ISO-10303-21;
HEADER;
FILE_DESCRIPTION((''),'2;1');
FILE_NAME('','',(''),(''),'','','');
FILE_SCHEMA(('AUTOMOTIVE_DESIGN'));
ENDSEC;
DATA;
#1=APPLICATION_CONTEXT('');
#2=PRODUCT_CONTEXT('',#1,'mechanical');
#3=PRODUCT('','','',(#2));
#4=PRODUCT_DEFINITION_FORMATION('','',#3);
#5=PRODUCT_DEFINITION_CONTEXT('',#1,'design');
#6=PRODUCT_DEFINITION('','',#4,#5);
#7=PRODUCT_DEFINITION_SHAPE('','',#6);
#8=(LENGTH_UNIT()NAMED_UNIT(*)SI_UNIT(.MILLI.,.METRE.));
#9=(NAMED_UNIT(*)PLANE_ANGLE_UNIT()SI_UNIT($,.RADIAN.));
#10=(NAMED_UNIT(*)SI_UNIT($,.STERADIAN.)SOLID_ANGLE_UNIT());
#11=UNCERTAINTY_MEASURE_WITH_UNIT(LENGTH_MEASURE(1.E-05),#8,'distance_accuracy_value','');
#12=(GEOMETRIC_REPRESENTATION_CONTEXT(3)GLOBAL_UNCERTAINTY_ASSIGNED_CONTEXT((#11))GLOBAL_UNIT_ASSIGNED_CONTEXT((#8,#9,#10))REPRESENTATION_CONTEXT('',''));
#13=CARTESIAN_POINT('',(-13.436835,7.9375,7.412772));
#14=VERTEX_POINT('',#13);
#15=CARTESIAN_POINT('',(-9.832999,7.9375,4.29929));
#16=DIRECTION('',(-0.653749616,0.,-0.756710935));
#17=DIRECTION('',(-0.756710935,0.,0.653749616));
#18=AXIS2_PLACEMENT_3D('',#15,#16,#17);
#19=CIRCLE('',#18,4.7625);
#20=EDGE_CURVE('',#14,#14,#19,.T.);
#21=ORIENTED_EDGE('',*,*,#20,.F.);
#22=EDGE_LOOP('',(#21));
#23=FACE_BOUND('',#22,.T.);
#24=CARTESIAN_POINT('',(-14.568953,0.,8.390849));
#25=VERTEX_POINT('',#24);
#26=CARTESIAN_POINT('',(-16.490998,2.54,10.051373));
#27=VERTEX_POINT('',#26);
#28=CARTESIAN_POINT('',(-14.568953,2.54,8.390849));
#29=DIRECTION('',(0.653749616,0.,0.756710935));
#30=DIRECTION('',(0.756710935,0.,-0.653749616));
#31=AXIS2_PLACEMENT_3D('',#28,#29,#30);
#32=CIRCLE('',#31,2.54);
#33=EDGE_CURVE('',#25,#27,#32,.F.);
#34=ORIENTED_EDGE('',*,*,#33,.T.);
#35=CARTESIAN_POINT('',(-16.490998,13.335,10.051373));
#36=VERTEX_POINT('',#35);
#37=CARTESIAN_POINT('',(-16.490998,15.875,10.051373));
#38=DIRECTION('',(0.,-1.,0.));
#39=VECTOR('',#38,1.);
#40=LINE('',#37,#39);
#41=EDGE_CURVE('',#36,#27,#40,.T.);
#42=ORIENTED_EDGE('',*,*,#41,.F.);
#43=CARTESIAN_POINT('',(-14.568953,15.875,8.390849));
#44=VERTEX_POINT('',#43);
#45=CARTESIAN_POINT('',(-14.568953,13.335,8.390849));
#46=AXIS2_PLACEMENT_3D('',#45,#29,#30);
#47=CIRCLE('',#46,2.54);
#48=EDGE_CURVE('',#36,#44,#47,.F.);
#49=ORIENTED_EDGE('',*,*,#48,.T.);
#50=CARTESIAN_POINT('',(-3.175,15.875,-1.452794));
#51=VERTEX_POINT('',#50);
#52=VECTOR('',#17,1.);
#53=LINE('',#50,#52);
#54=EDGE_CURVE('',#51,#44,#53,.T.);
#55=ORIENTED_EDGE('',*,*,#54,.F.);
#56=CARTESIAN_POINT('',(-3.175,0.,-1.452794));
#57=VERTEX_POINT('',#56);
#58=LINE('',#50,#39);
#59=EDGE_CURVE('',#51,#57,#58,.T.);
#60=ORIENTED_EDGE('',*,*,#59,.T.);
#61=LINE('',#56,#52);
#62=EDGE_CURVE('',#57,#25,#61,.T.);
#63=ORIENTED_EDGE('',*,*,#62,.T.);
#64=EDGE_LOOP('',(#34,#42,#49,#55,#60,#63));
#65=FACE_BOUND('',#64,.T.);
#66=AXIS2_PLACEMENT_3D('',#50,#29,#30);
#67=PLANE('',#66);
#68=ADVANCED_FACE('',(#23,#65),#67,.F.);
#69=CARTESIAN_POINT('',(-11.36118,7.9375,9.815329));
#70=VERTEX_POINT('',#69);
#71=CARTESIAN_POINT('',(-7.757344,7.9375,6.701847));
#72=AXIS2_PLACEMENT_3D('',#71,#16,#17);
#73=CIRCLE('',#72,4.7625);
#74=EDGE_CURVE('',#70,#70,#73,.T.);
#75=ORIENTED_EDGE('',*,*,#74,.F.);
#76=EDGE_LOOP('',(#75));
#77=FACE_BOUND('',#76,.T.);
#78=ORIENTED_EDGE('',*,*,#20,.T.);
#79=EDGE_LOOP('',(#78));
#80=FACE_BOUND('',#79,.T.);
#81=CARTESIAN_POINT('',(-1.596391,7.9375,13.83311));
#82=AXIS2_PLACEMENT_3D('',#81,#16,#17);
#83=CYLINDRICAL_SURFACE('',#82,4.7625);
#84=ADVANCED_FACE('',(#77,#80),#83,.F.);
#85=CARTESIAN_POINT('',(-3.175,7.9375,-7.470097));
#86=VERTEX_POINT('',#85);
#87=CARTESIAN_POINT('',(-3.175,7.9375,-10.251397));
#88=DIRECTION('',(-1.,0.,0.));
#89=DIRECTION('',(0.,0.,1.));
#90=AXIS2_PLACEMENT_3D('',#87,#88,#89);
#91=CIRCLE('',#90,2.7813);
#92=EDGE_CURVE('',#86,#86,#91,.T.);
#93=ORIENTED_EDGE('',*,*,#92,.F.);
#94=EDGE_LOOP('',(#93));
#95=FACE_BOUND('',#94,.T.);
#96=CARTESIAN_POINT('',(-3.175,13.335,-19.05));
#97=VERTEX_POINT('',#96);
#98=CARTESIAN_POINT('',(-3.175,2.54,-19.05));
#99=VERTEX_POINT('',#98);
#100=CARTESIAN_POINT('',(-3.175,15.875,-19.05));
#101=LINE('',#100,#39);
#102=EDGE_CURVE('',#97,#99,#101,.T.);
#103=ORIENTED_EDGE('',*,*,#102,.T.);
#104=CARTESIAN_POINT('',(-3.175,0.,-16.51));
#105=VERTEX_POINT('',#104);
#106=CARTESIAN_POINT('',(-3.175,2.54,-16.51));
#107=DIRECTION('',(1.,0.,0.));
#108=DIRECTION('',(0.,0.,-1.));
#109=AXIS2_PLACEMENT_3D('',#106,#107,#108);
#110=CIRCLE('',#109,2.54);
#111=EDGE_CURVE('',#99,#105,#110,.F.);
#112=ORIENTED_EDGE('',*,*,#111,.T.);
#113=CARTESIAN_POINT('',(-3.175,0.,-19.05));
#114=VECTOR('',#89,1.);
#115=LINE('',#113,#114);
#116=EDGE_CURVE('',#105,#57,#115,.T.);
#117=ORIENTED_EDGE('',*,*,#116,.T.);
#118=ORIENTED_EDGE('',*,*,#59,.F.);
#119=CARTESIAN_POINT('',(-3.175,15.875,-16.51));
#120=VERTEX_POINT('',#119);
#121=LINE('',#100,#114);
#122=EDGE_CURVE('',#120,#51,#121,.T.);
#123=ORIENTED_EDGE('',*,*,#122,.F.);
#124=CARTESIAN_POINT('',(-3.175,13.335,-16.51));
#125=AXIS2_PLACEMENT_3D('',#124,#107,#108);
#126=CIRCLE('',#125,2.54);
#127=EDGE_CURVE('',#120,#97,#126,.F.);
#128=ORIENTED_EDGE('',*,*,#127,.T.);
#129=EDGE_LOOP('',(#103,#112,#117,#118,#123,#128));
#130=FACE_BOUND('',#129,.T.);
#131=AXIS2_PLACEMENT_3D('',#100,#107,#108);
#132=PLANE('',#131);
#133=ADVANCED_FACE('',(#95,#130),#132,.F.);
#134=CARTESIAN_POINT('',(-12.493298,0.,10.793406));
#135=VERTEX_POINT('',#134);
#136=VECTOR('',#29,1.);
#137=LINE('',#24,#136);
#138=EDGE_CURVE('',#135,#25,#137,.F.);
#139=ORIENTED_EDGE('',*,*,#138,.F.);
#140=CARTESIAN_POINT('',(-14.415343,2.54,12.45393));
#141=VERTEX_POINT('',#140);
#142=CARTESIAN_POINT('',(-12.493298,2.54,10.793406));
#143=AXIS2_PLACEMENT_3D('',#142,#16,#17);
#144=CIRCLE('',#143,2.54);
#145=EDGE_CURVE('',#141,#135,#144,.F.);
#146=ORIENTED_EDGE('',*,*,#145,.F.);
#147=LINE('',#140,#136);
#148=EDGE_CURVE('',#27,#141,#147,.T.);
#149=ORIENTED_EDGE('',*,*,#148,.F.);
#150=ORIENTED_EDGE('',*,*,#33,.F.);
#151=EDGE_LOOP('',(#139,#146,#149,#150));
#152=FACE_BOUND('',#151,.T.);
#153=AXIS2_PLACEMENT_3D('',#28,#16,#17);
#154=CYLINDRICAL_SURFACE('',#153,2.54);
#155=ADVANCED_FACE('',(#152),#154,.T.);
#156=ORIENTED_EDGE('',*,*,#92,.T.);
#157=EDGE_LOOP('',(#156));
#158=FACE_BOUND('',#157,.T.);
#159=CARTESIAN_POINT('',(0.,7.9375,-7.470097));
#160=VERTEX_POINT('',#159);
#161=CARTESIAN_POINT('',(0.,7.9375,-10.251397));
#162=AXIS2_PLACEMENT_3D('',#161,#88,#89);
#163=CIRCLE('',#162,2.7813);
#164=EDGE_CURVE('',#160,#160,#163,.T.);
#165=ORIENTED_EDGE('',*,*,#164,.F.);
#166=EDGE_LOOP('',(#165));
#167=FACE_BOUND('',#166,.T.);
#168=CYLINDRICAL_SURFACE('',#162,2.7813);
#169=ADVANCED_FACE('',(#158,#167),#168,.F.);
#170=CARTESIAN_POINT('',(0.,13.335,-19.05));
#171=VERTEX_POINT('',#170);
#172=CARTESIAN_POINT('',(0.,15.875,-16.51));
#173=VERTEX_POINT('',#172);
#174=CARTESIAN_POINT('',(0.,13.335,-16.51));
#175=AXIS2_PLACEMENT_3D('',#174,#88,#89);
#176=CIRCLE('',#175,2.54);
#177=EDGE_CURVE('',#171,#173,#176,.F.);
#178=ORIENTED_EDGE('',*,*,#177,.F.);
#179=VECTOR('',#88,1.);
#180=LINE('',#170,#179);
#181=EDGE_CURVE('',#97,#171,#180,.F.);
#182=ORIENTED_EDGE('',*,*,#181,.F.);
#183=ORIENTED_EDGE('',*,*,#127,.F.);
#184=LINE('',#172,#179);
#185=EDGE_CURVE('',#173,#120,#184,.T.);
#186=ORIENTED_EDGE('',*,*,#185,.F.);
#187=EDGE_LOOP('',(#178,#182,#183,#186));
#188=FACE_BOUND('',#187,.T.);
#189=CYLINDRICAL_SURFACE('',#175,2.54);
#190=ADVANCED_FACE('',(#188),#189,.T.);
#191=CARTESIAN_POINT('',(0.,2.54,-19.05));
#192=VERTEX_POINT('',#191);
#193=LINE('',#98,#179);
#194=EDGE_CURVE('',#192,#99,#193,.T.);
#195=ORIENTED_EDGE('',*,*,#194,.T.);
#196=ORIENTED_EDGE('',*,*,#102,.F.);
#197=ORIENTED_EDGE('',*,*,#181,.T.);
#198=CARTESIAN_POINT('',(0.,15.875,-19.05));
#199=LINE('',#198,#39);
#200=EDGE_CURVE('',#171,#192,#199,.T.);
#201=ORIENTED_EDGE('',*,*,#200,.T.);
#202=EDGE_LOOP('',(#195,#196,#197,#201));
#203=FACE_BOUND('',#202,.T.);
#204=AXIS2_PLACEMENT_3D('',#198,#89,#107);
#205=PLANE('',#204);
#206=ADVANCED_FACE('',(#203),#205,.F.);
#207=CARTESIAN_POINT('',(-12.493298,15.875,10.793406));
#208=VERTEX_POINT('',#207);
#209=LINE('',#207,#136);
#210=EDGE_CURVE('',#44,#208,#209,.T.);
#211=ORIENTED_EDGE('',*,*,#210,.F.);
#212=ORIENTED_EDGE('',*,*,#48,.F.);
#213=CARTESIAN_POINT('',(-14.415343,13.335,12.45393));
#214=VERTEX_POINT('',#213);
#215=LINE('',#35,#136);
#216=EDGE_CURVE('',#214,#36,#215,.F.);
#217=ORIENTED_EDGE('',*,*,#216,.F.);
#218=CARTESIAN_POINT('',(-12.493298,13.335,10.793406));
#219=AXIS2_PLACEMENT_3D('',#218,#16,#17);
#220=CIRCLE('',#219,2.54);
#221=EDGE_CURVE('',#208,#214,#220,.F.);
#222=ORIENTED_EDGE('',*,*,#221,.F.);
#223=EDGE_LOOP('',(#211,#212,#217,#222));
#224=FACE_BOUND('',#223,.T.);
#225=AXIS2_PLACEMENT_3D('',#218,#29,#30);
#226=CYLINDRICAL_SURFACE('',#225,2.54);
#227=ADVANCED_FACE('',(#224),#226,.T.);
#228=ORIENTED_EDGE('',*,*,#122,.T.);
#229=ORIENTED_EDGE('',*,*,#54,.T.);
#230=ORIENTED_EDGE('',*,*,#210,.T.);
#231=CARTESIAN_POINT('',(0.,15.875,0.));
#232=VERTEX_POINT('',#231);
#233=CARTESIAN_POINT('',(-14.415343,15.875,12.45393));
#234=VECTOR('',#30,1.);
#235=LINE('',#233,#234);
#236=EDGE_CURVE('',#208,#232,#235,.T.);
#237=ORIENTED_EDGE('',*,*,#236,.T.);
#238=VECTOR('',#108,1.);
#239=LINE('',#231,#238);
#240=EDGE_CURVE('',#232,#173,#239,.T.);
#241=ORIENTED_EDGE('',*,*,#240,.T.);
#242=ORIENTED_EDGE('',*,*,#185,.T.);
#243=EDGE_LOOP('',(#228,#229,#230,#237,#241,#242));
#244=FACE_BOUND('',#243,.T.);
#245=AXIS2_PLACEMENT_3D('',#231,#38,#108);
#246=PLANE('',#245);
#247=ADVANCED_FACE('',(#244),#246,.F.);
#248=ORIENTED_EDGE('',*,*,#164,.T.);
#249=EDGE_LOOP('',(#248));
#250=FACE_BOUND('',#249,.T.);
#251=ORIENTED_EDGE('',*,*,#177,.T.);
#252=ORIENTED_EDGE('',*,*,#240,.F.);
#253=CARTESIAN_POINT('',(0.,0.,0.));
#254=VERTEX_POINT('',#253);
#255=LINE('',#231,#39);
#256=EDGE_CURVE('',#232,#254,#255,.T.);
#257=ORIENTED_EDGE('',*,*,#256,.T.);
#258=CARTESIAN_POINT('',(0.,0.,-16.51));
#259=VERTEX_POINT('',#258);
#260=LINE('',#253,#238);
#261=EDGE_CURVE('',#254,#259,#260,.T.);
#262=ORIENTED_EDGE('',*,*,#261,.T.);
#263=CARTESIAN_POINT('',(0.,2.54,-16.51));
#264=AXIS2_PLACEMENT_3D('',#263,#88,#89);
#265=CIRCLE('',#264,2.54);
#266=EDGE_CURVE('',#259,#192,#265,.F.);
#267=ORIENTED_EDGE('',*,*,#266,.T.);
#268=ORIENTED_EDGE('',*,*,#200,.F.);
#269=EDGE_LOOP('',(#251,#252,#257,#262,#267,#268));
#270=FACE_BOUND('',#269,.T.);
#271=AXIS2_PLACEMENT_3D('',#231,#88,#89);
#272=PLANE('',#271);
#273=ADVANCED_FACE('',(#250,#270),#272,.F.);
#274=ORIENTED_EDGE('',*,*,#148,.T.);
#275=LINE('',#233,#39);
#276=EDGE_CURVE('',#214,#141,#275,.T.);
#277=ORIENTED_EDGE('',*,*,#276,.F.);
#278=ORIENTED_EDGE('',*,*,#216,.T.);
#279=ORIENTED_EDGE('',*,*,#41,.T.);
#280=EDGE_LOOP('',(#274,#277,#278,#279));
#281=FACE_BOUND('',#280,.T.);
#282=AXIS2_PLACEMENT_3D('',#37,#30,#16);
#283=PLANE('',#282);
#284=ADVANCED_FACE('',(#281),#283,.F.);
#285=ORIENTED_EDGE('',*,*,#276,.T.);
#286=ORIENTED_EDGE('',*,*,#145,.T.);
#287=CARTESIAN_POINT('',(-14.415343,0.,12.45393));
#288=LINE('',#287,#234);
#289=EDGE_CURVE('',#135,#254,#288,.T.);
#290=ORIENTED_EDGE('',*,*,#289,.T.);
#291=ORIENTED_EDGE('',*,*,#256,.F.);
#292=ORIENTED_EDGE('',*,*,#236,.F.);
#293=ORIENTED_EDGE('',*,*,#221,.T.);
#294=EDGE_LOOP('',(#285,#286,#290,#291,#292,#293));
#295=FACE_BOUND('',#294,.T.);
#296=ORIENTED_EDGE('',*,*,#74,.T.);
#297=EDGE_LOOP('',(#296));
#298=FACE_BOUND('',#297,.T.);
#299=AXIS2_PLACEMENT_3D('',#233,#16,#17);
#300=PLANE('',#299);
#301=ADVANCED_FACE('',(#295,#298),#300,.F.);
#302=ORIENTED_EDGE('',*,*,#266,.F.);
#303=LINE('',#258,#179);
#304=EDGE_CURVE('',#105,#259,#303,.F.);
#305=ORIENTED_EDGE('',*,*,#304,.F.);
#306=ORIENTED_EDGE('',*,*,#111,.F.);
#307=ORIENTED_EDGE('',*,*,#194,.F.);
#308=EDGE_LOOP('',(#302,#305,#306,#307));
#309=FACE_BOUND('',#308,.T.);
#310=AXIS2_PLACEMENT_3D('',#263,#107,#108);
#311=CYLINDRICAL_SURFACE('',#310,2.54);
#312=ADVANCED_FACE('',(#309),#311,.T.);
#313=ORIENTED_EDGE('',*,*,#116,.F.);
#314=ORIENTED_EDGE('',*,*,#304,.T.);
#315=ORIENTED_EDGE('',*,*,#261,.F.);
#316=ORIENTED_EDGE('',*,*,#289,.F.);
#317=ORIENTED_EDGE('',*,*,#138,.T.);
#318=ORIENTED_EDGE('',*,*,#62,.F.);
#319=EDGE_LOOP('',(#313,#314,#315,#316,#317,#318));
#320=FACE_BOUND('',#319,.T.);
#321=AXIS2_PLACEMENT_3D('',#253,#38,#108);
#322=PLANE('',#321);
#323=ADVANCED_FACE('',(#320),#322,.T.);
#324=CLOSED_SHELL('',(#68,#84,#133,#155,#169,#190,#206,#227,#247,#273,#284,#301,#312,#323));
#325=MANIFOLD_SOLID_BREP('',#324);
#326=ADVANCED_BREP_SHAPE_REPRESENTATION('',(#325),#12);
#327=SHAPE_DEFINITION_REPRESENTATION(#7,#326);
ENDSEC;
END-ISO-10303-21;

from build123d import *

# Parameters (mm, degrees)
BOSS_EXTRUDE1_DEPTH = 15.875
SKETCH3_R           = 2.7813
CUT_EXTRUDE1_DEPTH  = 29.146650548
SKETCH4_R           = 4.7625
CUT_EXTRUDE2_DEPTH  = 28.146916937
FILLET1_R           = 2.54


with BuildPart() as part:
    # Sketch1 → Boss-Extrude1 (new body)
    with BuildSketch(Plane(origin=(0, 0, 0), x_dir=(1, 0, 0), z_dir=(0, 1, 0))):
        Polygon((0, 0), (0, 19.05), (-3.175, 19.05), (-3.175, 1.452793819), (-16.490998351, -10.051372961), (-14.415343321, -12.453930181), align=None)
    extrude(amount=BOSS_EXTRUDE1_DEPTH)

    # Sketch3 → Cut-Extrude1 (cut, through all)
    with BuildSketch(Plane.ZY.offset(3.175)):
        with Locations((-10.25139691, 7.9375)):
            Circle(SKETCH3_R)
    extrude(amount=-CUT_EXTRUDE1_DEPTH, mode=Mode.SUBTRACT)

    # Sketch4 → Cut-Extrude2 (cut, through all)
    with BuildSketch(Plane(origin=(-2.07565503, 0, -2.40255722), x_dir=(-0.7567109354713432, 0, 0.6537496157842733), z_dir=(-0.6537496157842732, 0, -0.756710935471343))):
        with Locations((10.25139691, 7.9375)):
            Circle(SKETCH4_R)
    extrude(amount=-CUT_EXTRUDE2_DEPTH, mode=Mode.SUBTRACT)

    # Fillet1
    fillet1_edges = [part.edges().sort_by_distance(p)[0] for p in [
        (-1.5875, 15.875, -19.05),
        (-15.453170836, 15.875, 11.252651571),
        (-15.453170836, 0, 11.252651571),
        (-1.5875, 0, -19.05),
    ]]
    fillet(fillet1_edges, radius=FILLET1_R)


solid = part.part
